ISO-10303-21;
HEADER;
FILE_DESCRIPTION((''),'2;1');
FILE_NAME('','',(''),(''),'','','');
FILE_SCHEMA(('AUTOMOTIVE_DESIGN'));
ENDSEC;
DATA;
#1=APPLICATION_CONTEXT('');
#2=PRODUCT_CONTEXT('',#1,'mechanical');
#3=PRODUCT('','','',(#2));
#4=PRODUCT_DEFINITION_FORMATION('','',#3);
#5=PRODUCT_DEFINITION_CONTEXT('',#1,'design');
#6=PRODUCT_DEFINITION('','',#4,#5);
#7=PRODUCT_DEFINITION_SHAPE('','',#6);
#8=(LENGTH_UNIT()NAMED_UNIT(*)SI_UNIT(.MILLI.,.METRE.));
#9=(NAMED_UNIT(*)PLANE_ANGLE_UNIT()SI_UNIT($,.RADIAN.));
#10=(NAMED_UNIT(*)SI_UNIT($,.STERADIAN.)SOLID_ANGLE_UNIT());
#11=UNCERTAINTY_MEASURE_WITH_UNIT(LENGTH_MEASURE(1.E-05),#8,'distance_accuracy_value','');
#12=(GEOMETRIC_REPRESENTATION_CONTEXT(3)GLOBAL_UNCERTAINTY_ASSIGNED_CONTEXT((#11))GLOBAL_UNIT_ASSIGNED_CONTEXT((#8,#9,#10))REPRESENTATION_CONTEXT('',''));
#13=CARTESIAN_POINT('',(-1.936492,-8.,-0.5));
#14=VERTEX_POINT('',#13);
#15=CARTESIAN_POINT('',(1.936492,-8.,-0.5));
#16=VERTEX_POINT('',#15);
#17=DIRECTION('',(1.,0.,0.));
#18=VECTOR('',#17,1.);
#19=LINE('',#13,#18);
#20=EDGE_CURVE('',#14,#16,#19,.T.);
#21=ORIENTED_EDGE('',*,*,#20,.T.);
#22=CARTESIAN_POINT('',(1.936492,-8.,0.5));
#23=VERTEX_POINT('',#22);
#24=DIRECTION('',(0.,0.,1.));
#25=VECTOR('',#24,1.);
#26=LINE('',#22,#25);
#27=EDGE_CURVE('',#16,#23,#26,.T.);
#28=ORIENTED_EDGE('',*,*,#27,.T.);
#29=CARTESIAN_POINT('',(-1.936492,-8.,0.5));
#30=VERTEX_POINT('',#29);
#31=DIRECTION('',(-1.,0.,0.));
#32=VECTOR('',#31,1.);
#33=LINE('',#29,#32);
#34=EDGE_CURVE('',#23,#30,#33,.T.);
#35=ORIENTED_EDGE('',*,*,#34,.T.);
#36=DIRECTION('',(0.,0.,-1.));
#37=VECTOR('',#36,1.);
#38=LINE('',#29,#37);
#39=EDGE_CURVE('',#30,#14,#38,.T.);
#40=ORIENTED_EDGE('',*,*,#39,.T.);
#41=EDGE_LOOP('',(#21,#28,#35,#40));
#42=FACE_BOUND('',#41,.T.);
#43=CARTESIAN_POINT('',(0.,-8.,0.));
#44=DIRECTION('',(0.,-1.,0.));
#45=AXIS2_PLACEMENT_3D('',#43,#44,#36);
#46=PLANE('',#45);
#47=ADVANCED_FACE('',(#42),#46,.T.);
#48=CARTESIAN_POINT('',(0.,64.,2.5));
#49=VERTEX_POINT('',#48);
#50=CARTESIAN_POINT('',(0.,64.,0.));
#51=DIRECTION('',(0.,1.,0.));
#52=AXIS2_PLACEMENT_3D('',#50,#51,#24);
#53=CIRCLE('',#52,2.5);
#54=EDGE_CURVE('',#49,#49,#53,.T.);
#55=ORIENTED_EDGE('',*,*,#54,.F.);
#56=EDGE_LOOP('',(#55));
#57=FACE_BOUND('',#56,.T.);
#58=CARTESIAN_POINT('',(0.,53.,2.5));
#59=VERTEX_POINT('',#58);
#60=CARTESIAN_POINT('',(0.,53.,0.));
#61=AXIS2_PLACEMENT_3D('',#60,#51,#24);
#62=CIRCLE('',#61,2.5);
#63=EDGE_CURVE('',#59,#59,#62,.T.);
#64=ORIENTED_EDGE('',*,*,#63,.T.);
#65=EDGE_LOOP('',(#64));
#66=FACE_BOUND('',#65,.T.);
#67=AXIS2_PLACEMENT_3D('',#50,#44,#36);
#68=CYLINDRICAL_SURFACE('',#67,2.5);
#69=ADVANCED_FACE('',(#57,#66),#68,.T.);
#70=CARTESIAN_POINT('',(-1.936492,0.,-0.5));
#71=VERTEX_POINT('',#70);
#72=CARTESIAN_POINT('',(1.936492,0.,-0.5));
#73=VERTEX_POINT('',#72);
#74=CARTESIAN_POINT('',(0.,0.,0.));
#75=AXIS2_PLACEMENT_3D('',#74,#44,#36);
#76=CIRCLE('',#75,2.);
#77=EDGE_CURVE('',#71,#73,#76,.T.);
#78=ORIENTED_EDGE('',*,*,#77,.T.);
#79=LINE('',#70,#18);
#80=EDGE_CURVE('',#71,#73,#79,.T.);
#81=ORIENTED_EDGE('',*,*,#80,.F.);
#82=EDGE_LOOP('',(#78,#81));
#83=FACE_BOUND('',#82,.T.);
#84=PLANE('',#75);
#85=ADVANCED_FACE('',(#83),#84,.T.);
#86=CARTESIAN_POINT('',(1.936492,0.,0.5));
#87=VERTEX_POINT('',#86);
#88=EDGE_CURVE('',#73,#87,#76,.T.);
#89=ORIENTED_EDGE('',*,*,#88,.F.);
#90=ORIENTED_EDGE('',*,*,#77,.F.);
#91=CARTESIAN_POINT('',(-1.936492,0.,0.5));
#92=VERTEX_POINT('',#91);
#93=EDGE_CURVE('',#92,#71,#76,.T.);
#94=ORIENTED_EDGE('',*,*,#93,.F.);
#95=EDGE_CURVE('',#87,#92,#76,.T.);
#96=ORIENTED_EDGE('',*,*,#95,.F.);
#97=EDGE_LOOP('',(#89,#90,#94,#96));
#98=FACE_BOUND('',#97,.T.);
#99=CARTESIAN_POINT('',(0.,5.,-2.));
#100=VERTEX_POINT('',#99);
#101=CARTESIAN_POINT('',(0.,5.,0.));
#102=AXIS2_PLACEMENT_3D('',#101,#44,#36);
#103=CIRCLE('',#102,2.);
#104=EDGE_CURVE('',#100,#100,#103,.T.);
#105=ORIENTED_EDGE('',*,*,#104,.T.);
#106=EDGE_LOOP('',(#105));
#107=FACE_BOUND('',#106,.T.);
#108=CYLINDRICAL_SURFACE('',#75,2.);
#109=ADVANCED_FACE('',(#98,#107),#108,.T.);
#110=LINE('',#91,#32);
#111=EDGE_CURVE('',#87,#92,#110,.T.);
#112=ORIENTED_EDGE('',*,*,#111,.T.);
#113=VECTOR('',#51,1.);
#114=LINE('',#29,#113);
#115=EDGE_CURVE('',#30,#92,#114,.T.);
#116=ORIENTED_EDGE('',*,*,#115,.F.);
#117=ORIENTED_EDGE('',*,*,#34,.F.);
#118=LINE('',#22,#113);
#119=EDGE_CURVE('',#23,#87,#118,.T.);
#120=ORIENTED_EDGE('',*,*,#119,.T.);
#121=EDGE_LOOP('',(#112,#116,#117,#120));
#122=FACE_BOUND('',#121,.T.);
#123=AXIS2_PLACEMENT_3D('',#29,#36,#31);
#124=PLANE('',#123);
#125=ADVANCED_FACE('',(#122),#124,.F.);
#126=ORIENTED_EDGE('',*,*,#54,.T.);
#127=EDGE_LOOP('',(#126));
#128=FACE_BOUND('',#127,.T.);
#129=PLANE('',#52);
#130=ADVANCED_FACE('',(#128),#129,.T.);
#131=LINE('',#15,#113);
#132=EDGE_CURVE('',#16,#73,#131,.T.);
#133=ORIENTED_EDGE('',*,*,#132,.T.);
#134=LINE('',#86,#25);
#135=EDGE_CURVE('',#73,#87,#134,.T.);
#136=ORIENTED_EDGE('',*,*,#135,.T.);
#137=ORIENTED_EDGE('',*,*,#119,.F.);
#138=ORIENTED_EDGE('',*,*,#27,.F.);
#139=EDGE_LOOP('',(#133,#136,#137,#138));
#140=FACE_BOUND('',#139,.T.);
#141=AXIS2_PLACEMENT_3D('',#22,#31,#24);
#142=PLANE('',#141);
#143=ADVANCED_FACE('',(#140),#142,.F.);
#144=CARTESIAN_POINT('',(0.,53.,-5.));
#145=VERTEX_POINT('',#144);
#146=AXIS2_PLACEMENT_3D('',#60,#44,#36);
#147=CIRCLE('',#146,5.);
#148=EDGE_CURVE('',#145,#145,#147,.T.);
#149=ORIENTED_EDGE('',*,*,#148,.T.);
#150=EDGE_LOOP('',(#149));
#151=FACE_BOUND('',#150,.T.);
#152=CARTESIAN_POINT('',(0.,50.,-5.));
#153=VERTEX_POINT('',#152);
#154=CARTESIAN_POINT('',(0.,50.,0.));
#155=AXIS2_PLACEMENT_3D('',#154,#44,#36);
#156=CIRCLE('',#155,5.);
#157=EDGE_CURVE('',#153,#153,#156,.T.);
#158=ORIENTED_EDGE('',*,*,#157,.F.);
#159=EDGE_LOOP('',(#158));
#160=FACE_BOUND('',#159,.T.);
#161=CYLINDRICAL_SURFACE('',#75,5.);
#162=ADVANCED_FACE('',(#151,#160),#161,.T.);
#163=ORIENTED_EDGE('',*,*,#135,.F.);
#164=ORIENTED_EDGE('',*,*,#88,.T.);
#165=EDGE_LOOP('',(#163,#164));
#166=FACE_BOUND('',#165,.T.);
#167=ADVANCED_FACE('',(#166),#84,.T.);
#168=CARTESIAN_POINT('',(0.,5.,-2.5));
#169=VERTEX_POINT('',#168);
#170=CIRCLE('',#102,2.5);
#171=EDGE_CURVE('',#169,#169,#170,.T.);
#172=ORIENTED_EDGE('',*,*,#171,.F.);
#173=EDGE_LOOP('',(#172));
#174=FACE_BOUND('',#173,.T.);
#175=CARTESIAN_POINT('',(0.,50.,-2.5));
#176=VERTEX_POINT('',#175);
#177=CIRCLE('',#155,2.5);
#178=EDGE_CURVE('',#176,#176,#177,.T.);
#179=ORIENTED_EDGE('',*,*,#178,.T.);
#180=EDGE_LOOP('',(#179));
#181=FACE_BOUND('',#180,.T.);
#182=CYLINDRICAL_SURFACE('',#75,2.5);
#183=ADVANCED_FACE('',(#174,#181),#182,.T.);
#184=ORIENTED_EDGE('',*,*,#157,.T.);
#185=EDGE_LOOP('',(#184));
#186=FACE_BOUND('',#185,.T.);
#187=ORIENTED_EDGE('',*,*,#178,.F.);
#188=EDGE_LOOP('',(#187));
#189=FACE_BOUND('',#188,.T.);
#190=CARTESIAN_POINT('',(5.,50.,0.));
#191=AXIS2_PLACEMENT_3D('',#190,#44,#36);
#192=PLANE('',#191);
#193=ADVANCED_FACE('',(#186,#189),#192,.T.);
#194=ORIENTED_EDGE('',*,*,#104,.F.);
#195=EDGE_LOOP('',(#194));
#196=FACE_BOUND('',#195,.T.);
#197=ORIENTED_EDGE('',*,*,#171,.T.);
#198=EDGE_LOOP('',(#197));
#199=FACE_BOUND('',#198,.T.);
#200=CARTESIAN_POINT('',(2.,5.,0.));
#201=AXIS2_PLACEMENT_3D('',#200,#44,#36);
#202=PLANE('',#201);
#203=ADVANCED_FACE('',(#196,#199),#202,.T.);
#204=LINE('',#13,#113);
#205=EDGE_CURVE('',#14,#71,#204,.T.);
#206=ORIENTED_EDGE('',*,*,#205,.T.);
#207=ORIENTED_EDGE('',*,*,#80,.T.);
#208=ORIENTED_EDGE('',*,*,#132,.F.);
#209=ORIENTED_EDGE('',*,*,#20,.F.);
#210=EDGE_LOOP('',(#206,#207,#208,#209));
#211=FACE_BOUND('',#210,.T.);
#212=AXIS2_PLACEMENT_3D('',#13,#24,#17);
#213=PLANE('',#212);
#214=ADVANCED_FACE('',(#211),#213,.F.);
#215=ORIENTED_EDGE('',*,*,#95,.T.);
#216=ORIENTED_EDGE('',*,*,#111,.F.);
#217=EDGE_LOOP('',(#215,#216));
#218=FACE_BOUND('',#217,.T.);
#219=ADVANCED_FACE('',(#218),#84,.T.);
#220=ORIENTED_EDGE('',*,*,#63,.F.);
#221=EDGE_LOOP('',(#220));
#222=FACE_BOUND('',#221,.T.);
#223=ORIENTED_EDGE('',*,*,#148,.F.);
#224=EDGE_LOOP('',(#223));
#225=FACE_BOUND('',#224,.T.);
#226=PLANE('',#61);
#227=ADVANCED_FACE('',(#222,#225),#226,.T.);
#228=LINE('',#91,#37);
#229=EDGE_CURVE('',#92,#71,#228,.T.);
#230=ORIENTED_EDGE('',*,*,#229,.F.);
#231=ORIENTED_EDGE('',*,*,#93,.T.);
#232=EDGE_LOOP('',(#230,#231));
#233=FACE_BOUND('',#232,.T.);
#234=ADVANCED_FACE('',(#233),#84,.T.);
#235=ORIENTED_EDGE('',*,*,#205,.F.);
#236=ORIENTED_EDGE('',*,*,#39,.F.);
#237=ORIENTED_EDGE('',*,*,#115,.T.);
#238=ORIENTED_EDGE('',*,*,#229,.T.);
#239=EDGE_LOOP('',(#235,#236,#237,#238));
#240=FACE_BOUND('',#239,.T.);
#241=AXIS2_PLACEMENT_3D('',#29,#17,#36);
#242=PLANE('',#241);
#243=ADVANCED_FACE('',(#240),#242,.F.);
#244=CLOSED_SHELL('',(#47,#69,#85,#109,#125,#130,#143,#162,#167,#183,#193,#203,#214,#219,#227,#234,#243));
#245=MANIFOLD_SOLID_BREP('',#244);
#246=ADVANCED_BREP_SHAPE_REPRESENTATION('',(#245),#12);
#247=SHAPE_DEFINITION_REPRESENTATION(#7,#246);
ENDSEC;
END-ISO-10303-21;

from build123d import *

# Parameters (mm, degrees)
SKETCH4_W           = 3.872983346
SKETCH4_H           = 1
BOSS_EXTRUDE1_DEPTH = 8
SKETCH5_R           = 2.5
BOSS_EXTRUDE2_DEPTH = 11


with BuildPart() as part:
    # Sketch2 → Revolve1 (revolve)
    with BuildSketch(Plane.XY, mode=Mode.PRIVATE) as revolve1_sk:
        Polygon((0, 0), (0, 50), (0, 53), (5, 53), (5, 50), (2.5, 50), (2.5, 5), (2, 5), (2, 0), align=None)
    revolve(revolve1_sk.sketch.rotate(Axis((0, 0, 0), (0, 1, 0)), 90), axis=Axis((0, 0, 0), (0, 1, 0)))

    # Sketch4 → Boss-Extrude1 (add)
    with BuildSketch(Plane.XZ):
        Rectangle(SKETCH4_W, SKETCH4_H)
    extrude(amount=BOSS_EXTRUDE1_DEPTH)

    # Sketch5 → Boss-Extrude2 (add)
    with BuildSketch(Plane(origin=(0, 53, 0), x_dir=(1, 0, 0), z_dir=(0, 1, 0))):
        with Locations(Location((0, 0, 0), (0, 0, 90))):
            Circle(SKETCH5_R)
    extrude(amount=BOSS_EXTRUDE2_DEPTH)


solid = part.part
